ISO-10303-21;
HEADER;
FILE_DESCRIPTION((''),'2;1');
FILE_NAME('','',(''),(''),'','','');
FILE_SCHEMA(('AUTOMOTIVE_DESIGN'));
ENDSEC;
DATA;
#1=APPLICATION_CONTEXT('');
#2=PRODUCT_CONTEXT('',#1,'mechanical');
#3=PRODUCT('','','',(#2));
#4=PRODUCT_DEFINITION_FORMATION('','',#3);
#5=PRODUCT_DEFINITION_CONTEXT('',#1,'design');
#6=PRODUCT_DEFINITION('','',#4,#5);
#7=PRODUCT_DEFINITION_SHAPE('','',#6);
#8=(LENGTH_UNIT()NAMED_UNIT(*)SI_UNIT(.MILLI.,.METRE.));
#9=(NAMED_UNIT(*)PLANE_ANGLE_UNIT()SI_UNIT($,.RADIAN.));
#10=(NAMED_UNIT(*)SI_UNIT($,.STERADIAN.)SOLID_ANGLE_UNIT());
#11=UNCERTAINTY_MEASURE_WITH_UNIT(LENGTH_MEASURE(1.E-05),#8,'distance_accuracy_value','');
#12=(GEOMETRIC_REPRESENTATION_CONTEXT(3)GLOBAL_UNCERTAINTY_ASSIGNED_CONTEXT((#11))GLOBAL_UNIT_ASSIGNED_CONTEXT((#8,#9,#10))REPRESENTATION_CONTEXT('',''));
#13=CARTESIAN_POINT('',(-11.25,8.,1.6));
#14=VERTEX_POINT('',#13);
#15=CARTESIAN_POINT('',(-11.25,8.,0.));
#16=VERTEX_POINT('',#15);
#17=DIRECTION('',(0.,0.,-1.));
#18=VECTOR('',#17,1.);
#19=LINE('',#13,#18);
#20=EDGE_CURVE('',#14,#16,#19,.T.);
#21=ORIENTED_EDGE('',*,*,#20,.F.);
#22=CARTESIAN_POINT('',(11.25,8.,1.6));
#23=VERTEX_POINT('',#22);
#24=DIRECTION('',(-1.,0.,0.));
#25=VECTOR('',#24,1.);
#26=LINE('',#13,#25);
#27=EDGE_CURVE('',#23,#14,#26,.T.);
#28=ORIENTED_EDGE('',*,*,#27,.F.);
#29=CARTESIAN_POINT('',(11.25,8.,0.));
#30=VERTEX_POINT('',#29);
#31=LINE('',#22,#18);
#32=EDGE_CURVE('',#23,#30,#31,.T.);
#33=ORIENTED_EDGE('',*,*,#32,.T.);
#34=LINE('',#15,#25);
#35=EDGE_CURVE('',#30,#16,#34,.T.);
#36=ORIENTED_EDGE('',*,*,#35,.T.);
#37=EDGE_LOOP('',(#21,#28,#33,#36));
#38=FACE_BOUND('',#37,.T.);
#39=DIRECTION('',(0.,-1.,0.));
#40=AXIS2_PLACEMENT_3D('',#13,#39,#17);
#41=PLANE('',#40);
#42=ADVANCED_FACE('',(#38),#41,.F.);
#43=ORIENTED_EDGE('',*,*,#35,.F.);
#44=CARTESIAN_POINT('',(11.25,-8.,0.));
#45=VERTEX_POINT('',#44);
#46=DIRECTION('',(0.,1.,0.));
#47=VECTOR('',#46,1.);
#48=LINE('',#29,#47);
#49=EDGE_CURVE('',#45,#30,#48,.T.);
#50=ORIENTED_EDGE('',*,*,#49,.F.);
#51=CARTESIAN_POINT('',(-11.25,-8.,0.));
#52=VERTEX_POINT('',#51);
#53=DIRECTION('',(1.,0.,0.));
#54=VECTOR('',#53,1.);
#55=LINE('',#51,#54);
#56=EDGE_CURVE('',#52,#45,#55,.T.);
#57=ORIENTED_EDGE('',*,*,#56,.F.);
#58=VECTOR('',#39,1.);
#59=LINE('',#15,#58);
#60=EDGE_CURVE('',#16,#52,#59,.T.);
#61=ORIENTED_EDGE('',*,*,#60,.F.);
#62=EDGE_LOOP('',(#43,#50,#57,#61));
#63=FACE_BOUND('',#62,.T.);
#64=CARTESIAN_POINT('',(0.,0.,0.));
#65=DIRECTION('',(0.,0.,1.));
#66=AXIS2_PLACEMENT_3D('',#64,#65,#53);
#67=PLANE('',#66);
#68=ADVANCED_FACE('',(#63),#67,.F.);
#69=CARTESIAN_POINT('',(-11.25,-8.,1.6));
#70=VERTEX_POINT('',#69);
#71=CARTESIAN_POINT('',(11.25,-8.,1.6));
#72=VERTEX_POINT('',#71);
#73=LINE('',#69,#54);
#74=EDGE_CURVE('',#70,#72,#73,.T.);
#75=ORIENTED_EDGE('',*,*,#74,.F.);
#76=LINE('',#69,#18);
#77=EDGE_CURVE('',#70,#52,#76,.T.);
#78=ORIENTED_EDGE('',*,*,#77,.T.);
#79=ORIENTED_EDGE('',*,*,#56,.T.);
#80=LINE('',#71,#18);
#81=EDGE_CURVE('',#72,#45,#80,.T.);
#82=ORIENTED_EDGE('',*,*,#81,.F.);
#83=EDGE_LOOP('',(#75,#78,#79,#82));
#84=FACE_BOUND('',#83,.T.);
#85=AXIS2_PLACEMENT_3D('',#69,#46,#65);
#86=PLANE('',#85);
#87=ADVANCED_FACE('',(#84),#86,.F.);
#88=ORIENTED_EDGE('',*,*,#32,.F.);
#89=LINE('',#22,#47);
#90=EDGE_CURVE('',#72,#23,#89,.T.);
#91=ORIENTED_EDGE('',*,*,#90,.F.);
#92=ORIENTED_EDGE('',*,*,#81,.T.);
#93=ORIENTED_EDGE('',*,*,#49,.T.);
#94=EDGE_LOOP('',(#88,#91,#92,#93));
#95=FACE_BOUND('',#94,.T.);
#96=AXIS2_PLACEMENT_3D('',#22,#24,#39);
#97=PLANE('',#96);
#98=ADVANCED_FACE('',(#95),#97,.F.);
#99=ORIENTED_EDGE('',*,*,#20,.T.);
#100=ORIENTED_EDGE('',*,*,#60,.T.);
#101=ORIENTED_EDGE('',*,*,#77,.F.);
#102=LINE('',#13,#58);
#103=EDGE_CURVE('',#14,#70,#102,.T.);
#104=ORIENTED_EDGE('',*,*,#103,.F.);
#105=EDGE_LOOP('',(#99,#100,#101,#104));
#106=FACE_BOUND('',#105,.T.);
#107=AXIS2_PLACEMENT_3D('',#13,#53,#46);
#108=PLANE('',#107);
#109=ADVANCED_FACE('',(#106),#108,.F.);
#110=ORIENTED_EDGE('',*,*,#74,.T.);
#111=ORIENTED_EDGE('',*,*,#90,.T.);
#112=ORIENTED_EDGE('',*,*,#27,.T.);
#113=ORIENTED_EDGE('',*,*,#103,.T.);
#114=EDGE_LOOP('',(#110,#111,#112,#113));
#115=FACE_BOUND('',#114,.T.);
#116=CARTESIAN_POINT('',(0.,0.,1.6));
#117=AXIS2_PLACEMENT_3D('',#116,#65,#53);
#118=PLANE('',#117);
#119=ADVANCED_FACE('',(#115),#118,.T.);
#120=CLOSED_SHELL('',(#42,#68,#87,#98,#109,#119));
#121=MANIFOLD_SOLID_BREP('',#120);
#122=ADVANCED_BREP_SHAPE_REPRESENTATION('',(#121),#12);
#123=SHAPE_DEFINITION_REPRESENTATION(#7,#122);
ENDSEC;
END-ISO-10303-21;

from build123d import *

# Parameters (mm, degrees)
SKETCH1_W           = 22.5
SKETCH1_H           = 16
BOSS_EXTRUDE1_DEPTH = 1.6


with BuildPart() as part:
    # Sketch1 → Boss-Extrude1 (new body)
    with BuildSketch(Plane.XY):
        Rectangle(SKETCH1_W, SKETCH1_H)
    extrude(amount=BOSS_EXTRUDE1_DEPTH)


solid = part.part
